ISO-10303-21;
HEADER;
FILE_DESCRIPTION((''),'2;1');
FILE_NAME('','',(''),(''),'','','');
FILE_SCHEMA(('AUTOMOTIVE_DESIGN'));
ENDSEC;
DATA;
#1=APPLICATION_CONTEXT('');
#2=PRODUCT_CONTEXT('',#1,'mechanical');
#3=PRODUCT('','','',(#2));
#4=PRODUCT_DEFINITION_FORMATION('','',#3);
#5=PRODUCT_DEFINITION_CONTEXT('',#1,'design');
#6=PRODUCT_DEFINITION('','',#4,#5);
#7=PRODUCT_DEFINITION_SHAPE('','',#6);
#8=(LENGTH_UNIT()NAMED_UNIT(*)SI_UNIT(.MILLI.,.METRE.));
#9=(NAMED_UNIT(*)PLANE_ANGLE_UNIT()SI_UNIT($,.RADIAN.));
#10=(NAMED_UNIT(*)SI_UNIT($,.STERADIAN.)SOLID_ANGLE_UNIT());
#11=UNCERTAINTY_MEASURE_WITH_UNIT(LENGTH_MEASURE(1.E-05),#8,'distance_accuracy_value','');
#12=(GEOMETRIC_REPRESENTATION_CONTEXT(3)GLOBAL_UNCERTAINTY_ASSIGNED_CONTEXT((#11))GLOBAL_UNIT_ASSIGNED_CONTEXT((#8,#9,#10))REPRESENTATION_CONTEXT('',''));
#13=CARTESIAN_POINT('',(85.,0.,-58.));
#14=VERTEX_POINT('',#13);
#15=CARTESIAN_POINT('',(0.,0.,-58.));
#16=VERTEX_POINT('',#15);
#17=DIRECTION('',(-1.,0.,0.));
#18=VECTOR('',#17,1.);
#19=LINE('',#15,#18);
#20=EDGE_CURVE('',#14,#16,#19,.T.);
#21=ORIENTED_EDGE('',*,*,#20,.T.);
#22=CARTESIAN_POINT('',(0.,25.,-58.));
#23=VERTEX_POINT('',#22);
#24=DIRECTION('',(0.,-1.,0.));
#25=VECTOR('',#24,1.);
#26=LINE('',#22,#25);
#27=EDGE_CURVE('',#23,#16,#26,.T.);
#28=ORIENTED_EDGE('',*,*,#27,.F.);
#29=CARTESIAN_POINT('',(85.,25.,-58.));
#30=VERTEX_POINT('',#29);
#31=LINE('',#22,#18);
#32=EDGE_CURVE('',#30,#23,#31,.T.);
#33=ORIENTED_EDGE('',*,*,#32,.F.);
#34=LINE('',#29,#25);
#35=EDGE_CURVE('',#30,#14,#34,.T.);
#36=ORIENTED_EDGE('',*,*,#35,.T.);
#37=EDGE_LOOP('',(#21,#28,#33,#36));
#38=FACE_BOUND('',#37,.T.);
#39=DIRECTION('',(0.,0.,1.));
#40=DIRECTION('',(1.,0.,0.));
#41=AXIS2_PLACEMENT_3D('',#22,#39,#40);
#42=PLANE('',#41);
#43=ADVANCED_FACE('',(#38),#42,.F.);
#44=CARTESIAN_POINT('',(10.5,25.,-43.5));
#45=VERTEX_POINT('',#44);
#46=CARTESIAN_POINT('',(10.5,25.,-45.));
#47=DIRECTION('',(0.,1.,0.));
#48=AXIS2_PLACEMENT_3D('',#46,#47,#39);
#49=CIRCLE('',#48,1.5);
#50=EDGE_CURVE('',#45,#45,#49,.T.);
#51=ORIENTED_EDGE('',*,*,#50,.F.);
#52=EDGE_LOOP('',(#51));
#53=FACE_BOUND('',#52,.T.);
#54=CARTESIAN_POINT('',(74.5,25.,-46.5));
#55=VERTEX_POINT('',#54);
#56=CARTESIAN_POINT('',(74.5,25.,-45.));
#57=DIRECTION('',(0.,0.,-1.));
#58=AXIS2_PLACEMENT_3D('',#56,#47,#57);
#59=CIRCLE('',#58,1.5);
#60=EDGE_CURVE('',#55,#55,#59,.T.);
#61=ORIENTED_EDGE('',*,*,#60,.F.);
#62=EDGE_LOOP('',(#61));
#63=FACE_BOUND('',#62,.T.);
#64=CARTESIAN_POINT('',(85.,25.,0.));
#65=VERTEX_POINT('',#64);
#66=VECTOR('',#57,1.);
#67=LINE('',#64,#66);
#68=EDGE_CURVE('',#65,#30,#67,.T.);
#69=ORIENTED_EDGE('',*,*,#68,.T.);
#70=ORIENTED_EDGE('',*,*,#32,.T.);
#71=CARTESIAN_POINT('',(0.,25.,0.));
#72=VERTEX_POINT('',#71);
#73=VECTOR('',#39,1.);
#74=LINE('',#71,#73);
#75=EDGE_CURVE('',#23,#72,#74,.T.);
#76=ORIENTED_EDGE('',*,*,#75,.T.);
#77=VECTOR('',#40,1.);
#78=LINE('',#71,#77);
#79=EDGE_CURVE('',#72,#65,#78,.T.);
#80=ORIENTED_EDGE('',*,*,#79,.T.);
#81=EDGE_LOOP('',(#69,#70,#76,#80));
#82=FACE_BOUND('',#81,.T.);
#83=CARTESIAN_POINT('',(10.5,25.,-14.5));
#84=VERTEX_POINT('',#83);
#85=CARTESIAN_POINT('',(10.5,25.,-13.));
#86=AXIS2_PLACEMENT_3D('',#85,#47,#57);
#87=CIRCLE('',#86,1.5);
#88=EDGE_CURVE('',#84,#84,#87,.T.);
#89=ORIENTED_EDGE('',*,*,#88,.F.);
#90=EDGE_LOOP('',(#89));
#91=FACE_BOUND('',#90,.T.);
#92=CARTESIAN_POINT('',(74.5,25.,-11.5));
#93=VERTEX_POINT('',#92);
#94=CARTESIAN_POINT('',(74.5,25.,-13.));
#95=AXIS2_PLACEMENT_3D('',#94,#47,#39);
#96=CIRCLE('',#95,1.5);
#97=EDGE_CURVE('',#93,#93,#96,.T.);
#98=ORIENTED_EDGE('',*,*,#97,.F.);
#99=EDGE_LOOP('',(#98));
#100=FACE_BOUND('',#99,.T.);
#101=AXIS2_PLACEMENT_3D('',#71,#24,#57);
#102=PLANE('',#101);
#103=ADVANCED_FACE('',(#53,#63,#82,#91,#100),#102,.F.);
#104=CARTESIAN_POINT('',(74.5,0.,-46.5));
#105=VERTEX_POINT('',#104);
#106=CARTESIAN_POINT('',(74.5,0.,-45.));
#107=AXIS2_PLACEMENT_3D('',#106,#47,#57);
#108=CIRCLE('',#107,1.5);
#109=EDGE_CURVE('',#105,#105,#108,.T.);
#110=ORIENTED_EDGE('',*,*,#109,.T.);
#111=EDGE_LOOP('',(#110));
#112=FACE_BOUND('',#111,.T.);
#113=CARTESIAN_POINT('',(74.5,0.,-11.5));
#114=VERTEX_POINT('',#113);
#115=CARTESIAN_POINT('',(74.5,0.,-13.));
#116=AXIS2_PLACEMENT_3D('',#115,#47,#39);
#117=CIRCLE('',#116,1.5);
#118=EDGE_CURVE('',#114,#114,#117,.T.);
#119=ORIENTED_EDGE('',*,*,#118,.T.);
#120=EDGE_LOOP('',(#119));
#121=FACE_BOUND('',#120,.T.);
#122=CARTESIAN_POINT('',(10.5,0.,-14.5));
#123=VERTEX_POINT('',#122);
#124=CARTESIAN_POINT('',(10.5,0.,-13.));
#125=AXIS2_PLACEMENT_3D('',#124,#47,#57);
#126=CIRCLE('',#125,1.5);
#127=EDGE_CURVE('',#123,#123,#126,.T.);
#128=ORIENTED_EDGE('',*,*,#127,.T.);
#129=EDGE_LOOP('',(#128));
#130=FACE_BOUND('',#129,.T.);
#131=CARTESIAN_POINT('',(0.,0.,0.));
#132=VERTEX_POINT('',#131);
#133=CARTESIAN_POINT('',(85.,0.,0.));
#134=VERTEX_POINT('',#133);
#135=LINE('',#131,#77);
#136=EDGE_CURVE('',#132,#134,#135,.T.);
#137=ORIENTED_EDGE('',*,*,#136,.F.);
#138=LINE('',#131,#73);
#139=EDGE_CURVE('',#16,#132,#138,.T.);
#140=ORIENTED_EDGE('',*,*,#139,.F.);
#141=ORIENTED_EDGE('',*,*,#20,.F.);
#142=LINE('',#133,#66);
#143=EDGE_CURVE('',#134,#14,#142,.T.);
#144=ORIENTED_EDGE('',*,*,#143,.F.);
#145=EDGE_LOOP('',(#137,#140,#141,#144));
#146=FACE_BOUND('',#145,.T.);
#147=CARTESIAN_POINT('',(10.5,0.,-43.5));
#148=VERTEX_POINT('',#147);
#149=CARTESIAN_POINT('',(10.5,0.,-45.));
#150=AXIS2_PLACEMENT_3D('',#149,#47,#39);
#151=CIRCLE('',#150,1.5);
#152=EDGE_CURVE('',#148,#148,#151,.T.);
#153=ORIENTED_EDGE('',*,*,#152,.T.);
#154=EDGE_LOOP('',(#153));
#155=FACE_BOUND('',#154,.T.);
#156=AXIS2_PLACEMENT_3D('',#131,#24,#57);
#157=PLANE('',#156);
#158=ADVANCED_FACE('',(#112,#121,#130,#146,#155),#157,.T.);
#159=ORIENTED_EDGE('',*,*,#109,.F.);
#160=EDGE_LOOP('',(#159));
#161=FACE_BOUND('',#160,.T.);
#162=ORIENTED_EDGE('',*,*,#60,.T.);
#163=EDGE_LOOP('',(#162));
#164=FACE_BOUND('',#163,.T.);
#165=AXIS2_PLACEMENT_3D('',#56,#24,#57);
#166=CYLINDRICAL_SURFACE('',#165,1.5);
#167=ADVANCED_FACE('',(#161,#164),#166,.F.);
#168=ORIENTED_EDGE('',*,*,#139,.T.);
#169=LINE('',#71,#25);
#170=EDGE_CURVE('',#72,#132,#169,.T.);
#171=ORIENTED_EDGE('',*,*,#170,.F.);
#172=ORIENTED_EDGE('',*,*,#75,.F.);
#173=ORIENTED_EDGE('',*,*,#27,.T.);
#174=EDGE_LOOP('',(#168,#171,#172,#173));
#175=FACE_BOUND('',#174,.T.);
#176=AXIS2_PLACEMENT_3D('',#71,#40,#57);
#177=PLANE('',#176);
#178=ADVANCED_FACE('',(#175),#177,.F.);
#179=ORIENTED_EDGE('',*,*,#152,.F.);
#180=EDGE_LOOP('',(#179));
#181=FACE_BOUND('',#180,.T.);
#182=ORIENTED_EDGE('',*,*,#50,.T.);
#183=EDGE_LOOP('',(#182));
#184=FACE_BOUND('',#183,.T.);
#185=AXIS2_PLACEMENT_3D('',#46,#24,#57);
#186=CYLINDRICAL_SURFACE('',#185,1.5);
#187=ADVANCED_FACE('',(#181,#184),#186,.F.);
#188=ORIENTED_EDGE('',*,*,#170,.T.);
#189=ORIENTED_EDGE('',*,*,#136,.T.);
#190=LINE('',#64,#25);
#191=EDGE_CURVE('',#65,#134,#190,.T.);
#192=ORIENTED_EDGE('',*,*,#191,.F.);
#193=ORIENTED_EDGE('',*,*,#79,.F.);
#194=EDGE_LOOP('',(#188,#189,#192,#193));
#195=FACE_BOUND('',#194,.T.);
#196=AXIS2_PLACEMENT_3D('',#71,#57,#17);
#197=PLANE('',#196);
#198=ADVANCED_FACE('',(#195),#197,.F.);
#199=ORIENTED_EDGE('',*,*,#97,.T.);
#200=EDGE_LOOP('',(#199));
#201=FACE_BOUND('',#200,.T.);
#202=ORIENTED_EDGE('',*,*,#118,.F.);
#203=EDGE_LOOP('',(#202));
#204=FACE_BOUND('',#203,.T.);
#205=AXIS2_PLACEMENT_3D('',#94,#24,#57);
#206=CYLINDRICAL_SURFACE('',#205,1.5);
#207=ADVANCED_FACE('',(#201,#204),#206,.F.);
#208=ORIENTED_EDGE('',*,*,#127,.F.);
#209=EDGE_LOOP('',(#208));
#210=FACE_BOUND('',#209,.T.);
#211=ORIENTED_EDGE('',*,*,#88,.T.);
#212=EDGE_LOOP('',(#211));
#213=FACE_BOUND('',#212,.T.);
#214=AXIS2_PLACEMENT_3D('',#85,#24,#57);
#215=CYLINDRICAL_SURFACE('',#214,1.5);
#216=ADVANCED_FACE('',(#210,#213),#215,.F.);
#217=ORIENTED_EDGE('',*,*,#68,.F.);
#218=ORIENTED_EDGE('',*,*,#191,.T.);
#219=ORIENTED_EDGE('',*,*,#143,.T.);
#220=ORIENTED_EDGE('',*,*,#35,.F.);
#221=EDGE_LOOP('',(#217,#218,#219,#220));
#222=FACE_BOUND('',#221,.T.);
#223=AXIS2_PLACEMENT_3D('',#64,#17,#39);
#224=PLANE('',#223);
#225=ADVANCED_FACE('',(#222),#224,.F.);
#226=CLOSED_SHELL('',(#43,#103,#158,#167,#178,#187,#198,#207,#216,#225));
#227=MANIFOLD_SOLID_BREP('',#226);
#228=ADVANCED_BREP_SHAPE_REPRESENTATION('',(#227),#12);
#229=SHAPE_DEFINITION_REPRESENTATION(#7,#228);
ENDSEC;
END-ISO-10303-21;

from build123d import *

# Parameters (mm, degrees)
SKETCH1_W           = 85
SKETCH1_H           = 58
SKETCH1_R           = 1.5
BOSS_EXTRUDE1_DEPTH = 25


with BuildPart() as part:
    # Sketch1 → Boss-Extrude1 (new body)
    with BuildSketch(Plane(origin=(0, 0, 0), x_dir=(1, 0, 0), z_dir=(0, 1, 0))):
        with Locations((42.5, 29)):
            Rectangle(SKETCH1_W, SKETCH1_H)
        with Locations((10.5, 45)):
            Circle(SKETCH1_R, mode=Mode.SUBTRACT)
        with Locations((74.5, 45)):
            Circle(SKETCH1_R, mode=Mode.SUBTRACT)
        with Locations((74.5, 13)):
            Circle(SKETCH1_R, mode=Mode.SUBTRACT)
        with Locations((10.5, 13)):
            Circle(SKETCH1_R, mode=Mode.SUBTRACT)
    extrude(amount=BOSS_EXTRUDE1_DEPTH)


solid = part.part
